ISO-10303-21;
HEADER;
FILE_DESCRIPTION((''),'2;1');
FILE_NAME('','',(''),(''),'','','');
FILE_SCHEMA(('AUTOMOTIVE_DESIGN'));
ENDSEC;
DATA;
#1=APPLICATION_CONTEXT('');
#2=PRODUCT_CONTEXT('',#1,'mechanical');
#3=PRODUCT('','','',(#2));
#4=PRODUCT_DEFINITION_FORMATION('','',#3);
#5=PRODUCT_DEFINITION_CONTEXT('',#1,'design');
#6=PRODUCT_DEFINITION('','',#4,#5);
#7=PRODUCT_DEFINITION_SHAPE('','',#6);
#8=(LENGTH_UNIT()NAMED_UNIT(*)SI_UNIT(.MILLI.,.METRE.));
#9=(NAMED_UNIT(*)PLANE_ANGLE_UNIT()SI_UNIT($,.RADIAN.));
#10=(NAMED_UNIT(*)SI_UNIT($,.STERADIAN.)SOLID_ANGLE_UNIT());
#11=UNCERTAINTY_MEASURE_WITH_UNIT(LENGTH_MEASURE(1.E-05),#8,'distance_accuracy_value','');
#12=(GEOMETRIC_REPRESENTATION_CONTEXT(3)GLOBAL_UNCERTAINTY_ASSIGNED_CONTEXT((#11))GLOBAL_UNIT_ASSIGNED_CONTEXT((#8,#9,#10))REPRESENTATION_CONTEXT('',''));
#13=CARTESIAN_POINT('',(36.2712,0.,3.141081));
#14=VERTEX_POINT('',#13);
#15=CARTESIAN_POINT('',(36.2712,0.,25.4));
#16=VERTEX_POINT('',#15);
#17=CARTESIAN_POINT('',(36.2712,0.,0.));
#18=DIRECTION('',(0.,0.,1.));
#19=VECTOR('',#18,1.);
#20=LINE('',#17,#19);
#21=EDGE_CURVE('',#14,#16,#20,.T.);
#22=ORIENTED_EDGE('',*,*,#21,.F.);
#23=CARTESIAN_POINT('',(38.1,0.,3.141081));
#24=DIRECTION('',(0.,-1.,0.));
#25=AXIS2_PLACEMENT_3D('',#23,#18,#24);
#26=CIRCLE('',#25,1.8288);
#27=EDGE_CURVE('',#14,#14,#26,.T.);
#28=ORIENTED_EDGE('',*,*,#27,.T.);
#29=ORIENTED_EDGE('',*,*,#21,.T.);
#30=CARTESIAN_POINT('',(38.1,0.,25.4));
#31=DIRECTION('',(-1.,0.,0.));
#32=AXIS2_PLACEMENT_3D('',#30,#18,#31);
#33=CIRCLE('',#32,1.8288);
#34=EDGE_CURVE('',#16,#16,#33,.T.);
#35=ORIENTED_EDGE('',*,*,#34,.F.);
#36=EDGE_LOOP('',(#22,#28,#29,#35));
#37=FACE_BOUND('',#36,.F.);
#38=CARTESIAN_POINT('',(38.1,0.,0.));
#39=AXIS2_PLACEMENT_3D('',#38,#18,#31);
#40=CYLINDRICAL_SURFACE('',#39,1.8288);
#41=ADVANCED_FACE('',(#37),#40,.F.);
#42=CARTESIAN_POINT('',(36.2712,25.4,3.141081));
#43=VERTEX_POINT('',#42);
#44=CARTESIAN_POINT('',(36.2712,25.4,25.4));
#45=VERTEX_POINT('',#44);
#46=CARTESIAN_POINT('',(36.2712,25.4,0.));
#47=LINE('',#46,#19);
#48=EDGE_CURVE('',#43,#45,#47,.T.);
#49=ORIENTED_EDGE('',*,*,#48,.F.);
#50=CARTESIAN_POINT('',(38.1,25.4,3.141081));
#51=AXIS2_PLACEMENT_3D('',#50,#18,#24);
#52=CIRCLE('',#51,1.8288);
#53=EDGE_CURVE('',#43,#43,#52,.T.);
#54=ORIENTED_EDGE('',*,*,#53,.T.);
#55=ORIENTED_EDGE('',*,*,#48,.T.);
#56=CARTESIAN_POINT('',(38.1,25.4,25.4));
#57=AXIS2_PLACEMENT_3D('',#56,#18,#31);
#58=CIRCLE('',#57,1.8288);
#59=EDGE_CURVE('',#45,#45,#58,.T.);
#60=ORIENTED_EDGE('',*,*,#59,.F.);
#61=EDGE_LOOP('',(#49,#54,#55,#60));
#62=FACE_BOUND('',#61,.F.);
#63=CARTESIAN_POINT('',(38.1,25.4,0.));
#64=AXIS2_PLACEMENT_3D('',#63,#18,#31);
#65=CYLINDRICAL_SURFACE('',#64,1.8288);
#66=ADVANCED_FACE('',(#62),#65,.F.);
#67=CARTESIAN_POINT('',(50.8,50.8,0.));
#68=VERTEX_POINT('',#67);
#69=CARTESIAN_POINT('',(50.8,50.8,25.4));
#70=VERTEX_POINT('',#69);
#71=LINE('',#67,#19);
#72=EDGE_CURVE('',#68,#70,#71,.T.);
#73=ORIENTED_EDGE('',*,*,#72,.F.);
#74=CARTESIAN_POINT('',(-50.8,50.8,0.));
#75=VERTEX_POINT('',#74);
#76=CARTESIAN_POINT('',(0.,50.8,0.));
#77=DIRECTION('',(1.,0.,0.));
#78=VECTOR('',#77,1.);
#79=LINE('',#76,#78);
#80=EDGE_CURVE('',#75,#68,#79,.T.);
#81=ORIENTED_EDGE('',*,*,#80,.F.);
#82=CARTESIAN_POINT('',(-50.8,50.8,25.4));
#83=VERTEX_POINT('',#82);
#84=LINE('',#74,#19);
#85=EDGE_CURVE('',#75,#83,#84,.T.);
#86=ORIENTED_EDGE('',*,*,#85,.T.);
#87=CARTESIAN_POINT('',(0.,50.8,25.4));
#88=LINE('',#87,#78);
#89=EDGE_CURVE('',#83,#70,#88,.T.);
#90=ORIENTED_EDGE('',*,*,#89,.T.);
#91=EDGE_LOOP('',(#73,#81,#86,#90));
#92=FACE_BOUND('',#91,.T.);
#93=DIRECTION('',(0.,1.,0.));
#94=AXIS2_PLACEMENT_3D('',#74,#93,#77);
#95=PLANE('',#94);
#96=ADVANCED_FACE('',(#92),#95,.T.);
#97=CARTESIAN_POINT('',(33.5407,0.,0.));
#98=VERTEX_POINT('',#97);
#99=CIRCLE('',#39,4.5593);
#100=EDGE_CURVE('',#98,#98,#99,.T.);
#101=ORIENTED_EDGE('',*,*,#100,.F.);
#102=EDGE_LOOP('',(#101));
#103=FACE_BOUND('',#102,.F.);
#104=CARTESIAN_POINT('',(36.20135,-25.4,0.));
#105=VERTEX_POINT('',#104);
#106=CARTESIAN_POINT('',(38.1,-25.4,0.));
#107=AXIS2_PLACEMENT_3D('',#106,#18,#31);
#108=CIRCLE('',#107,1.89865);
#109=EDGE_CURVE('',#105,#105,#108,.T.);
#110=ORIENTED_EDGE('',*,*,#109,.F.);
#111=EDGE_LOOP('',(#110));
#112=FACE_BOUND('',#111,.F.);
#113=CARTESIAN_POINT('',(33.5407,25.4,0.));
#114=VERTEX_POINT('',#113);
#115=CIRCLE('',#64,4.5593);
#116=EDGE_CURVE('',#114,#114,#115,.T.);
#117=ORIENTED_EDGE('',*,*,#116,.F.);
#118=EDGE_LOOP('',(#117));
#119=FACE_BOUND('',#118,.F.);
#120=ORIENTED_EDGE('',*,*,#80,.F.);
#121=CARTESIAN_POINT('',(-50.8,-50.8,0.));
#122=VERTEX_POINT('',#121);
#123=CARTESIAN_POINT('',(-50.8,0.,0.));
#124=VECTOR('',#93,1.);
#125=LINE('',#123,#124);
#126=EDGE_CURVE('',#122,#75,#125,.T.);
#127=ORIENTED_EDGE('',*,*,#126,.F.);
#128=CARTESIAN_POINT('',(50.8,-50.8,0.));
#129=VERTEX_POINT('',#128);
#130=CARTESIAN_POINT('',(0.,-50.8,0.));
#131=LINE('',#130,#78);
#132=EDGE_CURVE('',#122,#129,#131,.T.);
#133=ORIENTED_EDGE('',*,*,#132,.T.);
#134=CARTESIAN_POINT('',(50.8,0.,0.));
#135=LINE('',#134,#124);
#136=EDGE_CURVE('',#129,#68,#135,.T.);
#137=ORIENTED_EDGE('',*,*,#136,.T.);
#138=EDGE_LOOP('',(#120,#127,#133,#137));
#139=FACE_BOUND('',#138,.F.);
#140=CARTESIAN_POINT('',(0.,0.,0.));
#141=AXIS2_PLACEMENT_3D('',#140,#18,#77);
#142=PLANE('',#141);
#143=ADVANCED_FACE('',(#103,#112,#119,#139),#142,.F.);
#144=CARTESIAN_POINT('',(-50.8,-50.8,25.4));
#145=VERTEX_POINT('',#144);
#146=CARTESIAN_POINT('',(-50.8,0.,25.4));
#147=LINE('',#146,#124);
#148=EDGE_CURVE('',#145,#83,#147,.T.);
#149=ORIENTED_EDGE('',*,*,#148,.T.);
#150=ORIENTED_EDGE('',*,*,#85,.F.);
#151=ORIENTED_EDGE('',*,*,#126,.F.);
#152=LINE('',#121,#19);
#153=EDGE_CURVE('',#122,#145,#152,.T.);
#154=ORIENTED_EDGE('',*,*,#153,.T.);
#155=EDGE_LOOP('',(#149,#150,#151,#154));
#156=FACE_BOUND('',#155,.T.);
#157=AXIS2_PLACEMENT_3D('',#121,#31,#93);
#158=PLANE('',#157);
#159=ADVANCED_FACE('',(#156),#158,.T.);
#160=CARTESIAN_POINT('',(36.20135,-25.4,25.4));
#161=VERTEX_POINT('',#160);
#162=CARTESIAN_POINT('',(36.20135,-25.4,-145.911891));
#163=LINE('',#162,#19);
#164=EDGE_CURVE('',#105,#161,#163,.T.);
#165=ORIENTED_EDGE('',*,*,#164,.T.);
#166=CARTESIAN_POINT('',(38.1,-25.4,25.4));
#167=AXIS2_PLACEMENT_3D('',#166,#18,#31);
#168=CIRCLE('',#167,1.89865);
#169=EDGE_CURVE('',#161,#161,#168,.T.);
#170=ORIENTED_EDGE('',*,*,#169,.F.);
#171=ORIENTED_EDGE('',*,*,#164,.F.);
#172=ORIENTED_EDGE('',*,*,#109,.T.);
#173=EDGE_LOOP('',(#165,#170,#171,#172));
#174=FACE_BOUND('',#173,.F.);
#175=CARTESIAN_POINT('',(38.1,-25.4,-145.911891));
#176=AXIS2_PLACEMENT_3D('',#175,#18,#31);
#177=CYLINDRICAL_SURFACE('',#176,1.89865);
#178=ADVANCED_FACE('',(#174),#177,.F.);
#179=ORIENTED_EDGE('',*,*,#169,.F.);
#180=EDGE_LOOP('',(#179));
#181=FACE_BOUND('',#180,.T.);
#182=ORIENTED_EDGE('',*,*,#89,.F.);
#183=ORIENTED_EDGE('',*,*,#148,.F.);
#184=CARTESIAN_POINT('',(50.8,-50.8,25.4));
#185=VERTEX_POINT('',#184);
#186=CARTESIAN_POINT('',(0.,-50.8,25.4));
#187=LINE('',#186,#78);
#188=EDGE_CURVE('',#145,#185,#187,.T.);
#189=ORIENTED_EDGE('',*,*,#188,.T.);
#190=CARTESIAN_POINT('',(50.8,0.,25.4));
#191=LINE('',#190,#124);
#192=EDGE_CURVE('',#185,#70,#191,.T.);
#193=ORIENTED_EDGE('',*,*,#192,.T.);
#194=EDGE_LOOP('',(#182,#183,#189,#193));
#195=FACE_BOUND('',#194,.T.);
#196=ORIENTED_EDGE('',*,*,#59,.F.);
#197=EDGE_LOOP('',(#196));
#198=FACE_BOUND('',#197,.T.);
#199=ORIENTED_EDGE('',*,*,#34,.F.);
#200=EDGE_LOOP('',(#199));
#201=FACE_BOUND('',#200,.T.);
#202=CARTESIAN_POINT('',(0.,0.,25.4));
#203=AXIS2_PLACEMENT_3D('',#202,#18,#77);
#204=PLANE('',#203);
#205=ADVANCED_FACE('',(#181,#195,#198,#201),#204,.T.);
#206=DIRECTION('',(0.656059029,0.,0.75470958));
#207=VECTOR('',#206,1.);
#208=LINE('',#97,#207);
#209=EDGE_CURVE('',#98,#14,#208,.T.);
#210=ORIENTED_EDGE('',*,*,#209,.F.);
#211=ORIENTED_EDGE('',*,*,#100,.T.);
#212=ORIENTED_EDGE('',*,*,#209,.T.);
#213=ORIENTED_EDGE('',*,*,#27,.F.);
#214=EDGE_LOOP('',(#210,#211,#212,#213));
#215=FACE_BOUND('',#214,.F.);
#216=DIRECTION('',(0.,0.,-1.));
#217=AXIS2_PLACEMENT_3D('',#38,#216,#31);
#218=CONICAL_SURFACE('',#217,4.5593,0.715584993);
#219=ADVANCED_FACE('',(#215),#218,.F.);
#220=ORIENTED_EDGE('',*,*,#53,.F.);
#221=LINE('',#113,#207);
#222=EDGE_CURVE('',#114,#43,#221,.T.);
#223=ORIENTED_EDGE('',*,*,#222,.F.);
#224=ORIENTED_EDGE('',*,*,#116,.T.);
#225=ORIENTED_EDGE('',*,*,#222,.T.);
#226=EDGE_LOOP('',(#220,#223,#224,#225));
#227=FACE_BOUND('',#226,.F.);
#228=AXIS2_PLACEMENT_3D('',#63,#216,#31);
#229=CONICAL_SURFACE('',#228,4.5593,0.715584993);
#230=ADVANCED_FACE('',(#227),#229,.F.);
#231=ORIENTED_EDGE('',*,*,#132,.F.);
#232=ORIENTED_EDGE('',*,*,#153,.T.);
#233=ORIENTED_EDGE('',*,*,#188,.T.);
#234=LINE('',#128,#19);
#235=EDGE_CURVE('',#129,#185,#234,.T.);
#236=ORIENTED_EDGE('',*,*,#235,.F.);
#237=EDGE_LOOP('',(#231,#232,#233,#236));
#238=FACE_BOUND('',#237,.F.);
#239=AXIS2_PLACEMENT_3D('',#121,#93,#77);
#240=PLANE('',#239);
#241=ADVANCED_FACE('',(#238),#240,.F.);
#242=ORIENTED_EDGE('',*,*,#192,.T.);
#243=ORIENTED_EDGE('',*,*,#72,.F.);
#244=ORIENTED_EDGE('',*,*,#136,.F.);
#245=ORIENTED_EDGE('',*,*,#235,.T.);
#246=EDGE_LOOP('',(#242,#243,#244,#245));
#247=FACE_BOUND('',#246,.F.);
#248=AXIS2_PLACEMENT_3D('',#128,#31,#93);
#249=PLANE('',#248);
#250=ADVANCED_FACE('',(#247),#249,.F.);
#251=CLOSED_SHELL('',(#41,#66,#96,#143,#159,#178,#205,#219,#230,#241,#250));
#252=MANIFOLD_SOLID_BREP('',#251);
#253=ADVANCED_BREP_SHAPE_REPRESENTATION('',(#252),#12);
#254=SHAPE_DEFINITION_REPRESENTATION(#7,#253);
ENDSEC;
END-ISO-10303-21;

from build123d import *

# Parameters (mm, degrees)
F0_W           = 101.6
F0_H           = 101.6
F1_DEPTH       = 25.4
F2_D           = 3.7973
F3_D           = 3.6576
F3_CSINK_D     = 9.1186
F3_CSINK_ANGLE = 82


with BuildPart() as f1:
    # F0 (on Top) → F1 (new body)
    with BuildSketch(Plane.XY):
        Rectangle(F0_W, F0_H)
    extrude(amount=F1_DEPTH)

    # F2 (through all)
    with Locations(Plane(origin=(0, 0, 0), x_dir=(1, 0, 0), z_dir=(0, 0, -1))):
        with Locations((38.1, 25.4)):
            Hole(F2_D / 2)

    # F3 (through all)
    with Locations(Plane(origin=(0, 0, 0), x_dir=(1, 0, 0), z_dir=(0, 0, -1))):
        with Locations((38.1, 0), (38.1, -25.4)):
            CounterSinkHole(F3_D / 2, F3_CSINK_D / 2, counter_sink_angle=F3_CSINK_ANGLE)


solid = f1.part
